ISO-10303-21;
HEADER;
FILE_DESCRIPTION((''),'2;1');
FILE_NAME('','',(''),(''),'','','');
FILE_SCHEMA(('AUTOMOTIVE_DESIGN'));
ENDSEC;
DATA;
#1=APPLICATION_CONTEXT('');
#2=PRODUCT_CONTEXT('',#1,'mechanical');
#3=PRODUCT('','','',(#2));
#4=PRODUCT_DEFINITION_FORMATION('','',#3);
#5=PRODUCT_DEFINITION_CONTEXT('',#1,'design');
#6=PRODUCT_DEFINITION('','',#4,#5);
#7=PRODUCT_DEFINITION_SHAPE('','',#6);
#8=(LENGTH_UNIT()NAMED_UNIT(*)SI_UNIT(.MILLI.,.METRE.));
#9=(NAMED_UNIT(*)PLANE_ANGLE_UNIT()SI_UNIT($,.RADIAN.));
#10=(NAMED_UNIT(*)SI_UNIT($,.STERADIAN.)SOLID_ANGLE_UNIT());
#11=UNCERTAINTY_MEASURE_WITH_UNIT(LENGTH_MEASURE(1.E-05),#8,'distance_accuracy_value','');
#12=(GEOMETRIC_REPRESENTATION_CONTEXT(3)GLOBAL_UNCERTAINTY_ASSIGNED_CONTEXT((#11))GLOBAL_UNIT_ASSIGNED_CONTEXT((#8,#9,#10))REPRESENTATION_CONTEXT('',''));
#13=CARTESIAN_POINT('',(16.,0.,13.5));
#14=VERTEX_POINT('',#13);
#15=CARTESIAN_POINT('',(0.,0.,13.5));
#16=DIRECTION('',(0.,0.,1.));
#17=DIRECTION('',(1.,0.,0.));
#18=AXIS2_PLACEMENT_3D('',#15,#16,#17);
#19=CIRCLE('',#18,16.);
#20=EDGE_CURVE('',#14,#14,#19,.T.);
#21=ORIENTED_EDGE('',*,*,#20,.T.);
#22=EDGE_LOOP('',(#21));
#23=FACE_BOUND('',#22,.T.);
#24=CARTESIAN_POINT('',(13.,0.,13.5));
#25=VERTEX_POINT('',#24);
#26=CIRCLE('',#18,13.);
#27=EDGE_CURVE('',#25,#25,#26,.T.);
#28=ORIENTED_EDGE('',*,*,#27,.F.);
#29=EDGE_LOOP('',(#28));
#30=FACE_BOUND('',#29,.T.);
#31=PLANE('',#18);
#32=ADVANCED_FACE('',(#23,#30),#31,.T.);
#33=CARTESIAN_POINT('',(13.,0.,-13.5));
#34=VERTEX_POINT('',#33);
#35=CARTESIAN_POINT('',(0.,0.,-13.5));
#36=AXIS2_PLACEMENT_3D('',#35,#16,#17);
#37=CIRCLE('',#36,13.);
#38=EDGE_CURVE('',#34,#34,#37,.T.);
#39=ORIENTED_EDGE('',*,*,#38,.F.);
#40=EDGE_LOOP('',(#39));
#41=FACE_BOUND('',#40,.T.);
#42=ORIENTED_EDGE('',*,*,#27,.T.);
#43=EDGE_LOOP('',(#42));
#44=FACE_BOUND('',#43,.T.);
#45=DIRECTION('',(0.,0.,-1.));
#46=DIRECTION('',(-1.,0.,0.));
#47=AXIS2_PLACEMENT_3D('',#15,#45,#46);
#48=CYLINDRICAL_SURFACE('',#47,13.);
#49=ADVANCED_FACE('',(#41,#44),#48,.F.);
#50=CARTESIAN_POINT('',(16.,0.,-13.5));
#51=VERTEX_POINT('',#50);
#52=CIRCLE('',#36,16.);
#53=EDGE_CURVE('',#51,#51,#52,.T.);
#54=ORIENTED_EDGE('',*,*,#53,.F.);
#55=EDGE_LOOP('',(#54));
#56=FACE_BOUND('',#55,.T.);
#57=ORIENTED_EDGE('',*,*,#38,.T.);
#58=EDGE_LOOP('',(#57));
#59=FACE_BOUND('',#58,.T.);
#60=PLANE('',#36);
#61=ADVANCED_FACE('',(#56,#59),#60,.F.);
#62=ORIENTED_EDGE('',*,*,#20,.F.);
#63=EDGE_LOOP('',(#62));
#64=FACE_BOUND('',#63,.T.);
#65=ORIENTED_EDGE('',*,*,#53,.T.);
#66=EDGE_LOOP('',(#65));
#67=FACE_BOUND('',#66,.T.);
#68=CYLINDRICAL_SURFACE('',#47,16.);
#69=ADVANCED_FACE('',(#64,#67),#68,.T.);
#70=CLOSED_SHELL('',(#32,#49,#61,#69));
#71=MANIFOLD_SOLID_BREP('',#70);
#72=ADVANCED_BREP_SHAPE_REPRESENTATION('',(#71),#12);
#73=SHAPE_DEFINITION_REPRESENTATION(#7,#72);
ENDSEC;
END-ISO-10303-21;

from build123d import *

# Parameters (mm, degrees)
SKETCH1_R           = 16
SKETCH1_R_2         = 13
BOSS_EXTRUDE1_DEPTH = 13.5


with BuildPart() as part:
    # Sketch1 → Boss-Extrude1 (new body, symmetric)
    with BuildSketch(Plane.XY):
        Circle(SKETCH1_R)
        Circle(SKETCH1_R_2, mode=Mode.SUBTRACT)
    extrude(amount=BOSS_EXTRUDE1_DEPTH, both=True)


solid = part.part
